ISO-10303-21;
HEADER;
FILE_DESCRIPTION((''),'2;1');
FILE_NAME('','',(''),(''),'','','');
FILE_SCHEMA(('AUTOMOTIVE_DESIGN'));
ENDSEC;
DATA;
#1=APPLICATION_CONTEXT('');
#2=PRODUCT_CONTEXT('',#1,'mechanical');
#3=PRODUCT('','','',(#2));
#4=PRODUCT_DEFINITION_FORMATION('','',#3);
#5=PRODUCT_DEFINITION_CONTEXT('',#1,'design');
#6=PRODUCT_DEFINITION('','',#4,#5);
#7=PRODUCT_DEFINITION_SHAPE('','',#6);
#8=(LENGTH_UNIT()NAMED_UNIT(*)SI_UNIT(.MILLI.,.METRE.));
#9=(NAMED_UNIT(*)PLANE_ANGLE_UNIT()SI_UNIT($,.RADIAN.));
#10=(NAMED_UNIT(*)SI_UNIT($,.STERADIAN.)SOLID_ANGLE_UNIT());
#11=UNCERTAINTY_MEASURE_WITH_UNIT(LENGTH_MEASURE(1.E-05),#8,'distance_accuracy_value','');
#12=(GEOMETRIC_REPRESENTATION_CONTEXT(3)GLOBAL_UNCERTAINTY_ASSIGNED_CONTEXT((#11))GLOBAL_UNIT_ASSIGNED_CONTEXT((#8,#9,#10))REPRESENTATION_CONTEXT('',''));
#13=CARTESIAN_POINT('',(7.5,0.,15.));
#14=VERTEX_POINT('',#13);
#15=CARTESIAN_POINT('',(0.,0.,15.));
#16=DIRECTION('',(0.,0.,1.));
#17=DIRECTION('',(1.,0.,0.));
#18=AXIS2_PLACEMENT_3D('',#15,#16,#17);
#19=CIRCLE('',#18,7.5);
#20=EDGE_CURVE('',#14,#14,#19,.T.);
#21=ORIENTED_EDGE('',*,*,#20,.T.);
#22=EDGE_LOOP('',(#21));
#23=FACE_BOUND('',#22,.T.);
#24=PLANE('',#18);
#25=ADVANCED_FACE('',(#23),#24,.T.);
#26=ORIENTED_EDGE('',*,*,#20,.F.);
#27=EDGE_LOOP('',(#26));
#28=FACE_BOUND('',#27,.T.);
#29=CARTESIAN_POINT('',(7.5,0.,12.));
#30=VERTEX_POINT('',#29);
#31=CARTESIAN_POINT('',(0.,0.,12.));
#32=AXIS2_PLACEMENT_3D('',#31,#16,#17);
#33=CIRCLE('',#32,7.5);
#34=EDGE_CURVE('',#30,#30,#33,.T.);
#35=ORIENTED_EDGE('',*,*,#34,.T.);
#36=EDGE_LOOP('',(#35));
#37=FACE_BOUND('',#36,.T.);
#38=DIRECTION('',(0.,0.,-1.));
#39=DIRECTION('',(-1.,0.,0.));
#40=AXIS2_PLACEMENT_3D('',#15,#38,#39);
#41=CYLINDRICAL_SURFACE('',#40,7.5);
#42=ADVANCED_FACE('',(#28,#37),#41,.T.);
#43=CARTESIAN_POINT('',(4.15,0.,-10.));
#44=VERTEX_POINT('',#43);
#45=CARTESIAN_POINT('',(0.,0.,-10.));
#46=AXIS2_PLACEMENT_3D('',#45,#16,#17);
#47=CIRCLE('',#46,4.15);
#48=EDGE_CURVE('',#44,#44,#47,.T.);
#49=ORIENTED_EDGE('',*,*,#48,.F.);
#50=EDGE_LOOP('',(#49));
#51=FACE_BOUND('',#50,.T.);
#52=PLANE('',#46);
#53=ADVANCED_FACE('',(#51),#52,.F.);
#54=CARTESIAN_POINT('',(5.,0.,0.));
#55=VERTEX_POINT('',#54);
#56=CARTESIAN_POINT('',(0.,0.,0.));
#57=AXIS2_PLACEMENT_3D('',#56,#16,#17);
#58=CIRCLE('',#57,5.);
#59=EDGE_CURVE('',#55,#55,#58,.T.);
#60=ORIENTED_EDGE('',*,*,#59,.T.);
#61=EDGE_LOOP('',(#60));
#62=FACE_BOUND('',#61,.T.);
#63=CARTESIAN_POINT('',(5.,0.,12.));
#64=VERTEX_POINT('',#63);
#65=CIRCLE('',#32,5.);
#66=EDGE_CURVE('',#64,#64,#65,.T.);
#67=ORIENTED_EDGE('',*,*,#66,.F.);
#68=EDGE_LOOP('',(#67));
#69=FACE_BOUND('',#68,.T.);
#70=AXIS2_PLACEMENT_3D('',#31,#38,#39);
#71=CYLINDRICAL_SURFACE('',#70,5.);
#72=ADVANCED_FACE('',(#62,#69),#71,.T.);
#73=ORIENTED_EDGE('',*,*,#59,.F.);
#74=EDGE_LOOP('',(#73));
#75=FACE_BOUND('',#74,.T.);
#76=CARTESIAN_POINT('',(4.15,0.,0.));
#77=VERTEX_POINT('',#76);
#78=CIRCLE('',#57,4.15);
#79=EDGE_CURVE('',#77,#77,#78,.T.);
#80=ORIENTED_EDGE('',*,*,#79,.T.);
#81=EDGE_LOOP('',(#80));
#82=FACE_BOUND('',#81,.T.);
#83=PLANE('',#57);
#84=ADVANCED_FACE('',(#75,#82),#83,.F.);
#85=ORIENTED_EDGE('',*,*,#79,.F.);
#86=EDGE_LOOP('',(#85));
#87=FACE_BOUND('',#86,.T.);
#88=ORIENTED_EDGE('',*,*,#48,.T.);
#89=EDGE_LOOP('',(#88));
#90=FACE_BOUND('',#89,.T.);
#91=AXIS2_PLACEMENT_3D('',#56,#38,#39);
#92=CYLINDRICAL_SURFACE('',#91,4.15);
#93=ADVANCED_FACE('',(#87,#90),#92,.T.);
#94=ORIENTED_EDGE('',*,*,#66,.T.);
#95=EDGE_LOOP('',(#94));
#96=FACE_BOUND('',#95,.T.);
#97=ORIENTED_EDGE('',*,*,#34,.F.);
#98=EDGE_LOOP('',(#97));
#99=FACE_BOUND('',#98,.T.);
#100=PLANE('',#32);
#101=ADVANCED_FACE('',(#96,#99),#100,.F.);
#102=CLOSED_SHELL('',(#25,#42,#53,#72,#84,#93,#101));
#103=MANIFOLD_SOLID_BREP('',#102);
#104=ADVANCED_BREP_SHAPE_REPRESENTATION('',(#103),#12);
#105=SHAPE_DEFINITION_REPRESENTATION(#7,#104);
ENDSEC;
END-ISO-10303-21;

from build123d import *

# Parameters (mm, degrees)
M10_START                                     = -10
SKETCH1_R                                     = 4.15
M10_ROD_ENGAGEMENT_THREAD_CORE_REPRESEN_DEPTH = 10
SKETCH2_R                                     = 5
FLOATING_SHOULDER_THROUGH_BRIDGE_DEPTH        = 12
CAPTIVE_START                                 = 12
SKETCH3_R                                     = 7.5
CAPTIVE_THRUST_HEAD_DEPTH                     = 3


with BuildPart() as part:
    # Sketch1 → M10 rod engagement, thread core represented (new body)
    with BuildSketch(Plane.XY.offset(M10_START)):
        Circle(SKETCH1_R)
    extrude(amount=M10_ROD_ENGAGEMENT_THREAD_CORE_REPRESEN_DEPTH)

    # Sketch2 → Floating shoulder through bridge (add)
    with BuildSketch(Plane.XY):
        Circle(SKETCH2_R)
    extrude(amount=FLOATING_SHOULDER_THROUGH_BRIDGE_DEPTH)

    # Sketch3 → Captive thrust head (add)
    with BuildSketch(Plane.XY.offset(CAPTIVE_START)):
        Circle(SKETCH3_R)
    extrude(amount=CAPTIVE_THRUST_HEAD_DEPTH)


solid = part.part
